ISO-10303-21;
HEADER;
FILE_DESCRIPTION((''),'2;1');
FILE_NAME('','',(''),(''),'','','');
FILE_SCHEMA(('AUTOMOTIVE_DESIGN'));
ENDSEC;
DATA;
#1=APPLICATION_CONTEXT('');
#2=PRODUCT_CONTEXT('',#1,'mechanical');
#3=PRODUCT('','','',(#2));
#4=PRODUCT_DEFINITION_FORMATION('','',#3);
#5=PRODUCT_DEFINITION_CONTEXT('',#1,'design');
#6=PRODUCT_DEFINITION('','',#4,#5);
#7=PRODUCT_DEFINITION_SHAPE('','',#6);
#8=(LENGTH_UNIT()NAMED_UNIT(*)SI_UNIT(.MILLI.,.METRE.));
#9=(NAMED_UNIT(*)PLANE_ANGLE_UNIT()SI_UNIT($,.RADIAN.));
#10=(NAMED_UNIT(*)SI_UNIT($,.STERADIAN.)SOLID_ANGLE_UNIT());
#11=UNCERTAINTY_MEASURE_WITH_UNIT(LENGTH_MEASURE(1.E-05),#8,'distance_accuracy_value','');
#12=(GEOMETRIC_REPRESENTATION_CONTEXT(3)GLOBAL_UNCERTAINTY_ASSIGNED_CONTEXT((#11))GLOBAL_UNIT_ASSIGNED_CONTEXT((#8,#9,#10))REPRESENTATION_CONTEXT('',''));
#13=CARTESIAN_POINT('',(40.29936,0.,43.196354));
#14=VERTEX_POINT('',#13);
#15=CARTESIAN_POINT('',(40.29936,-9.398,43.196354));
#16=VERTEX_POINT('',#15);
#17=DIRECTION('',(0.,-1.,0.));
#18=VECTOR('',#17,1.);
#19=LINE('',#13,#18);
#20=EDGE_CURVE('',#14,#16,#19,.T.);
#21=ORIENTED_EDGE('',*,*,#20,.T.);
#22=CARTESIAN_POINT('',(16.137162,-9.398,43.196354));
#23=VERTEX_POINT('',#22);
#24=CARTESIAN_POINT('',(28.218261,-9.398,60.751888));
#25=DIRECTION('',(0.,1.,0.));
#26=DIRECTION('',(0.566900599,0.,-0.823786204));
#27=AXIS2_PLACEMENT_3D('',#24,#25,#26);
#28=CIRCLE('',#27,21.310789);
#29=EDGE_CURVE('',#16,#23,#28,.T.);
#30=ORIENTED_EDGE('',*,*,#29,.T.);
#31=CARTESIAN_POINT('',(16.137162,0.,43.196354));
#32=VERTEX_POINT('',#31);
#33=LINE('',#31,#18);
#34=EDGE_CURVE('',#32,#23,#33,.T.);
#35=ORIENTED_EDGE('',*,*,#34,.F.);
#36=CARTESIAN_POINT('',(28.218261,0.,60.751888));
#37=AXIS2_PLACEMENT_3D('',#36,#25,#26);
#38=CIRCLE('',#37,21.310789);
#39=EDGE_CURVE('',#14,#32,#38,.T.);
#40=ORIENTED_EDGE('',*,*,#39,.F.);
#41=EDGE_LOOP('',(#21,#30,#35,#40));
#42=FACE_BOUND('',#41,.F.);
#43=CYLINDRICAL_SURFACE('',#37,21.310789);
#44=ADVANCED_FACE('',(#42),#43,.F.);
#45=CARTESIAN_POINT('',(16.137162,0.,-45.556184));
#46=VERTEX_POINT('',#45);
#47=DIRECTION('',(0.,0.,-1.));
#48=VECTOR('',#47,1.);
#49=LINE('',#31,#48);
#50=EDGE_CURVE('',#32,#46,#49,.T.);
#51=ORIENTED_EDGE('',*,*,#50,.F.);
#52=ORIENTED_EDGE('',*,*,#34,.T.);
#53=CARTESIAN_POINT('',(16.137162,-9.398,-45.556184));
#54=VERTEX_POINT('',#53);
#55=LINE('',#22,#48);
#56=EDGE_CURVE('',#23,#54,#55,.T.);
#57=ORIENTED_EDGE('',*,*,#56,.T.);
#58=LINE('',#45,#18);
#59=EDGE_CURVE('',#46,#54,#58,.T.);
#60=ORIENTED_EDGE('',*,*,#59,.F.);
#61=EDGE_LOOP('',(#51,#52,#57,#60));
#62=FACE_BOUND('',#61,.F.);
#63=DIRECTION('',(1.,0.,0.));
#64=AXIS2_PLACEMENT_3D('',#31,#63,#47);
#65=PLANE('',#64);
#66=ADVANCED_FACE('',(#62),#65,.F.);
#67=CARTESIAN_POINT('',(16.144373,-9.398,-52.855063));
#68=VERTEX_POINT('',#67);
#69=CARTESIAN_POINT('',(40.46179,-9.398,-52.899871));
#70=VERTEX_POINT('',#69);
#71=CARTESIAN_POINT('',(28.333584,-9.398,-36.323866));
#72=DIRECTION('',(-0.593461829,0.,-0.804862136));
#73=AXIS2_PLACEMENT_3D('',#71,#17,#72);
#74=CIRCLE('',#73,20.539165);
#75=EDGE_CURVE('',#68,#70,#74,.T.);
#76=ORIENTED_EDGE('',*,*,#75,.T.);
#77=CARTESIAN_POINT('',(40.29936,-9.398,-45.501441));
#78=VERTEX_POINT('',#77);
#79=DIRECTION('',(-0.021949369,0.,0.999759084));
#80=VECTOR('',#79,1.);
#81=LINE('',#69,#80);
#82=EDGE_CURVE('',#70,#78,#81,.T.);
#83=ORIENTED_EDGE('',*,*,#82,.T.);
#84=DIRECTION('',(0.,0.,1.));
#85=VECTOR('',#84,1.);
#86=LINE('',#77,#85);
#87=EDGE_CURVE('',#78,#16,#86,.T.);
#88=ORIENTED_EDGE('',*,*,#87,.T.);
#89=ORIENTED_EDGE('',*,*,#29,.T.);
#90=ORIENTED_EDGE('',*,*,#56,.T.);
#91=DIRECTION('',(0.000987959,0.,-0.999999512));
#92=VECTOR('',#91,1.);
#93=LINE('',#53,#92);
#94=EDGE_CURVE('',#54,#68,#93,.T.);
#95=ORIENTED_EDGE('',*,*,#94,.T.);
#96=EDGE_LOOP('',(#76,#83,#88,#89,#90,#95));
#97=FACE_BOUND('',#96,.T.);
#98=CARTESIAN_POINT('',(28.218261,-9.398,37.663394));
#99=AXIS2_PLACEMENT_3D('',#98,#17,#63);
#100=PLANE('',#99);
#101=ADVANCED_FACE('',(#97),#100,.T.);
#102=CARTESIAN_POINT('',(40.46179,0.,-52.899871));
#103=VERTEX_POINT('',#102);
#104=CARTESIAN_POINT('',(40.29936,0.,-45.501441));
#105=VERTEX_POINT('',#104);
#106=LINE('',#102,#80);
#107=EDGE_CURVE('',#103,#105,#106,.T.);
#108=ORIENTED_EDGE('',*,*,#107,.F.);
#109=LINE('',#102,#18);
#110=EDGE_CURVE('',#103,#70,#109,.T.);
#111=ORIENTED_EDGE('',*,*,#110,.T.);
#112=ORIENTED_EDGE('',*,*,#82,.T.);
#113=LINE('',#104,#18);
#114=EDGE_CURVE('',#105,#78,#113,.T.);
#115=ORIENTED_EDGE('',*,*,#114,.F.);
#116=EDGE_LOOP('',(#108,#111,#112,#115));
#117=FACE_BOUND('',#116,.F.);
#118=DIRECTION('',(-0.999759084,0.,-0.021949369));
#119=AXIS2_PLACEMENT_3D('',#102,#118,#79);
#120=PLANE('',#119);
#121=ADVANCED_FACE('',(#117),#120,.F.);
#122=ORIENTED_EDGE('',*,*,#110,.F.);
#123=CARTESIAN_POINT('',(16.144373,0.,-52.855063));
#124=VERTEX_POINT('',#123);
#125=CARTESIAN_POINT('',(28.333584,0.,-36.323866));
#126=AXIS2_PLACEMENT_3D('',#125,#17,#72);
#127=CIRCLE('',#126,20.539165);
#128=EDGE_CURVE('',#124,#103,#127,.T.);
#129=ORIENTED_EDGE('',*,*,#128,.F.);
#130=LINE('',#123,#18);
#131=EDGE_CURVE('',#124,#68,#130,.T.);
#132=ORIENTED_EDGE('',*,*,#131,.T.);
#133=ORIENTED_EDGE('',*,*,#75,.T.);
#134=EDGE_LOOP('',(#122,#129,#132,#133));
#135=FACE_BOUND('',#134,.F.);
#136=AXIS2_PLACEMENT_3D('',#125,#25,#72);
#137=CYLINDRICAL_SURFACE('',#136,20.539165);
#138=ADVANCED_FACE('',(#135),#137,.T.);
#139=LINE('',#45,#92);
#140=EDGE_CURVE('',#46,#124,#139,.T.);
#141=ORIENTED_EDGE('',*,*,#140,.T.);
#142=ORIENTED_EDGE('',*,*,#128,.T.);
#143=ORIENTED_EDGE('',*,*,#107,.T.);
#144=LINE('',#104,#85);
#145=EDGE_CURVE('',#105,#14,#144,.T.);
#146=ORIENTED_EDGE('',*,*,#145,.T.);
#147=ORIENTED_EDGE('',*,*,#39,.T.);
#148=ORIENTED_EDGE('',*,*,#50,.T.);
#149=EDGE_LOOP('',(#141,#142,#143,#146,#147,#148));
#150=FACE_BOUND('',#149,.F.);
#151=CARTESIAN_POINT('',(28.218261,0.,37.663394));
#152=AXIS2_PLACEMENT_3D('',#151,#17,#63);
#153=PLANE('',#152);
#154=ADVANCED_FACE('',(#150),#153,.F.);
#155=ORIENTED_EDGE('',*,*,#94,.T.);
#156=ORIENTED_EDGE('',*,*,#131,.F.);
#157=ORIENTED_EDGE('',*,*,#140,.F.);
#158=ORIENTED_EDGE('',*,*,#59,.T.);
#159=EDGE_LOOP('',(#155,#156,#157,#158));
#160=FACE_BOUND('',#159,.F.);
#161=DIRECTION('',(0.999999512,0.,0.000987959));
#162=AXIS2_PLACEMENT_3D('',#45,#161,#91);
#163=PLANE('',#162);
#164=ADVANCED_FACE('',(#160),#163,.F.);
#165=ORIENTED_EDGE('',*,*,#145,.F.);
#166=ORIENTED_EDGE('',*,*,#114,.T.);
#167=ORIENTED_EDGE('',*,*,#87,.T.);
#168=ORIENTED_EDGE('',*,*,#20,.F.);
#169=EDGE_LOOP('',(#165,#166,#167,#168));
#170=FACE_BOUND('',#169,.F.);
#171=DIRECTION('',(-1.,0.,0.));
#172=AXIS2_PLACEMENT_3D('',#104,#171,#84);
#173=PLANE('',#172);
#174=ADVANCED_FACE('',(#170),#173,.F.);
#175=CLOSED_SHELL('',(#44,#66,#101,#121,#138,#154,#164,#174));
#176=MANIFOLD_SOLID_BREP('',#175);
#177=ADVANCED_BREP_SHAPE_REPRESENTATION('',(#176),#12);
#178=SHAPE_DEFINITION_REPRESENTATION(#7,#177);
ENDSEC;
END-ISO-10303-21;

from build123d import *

# Parameters (mm, degrees)
F1_DEPTH = 9.398


with BuildPart() as f1:
    # F0 (on Front) → F1 (new body)
    with BuildSketch(Plane.XZ):
        with BuildLine():
            Line((16.137162, 43.196354), (16.137162, 34.891911))
            ThreePointArc((16.137162, 34.891911), (28.218261, 32.258096), (40.29936, 34.891911))
            Line((40.29936, 34.891911), (40.29936, 43.196354))
            ThreePointArc((40.29936, 43.196354), (28.218261, 39.441099), (16.137162, 43.196354))
        make_face()
        with BuildLine():
            ThreePointArc((40.29936, -45.501441), (28.231979, -51.583741), (16.137162, -45.556184))
            Line((16.137162, -45.556184), (16.144373, -52.855063))
            ThreePointArc((16.144373, -52.855063), (28.295737, -56.862997), (40.46179, -52.899871))
            Line((40.46179, -52.899871), (40.29936, -45.501441))
        make_face()
        with BuildLine():
            ThreePointArc((40.29936, 34.891911), (28.218261, 32.258096), (16.137162, 34.891911))
            Line((16.137162, 34.891911), (16.137162, -45.556184))
            ThreePointArc((16.137162, -45.556184), (28.231979, -51.583741), (40.29936, -45.501441))
            Line((40.29936, -45.501441), (40.29936, 34.891911))
        make_face()
    extrude(amount=F1_DEPTH)


solid = f1.part
